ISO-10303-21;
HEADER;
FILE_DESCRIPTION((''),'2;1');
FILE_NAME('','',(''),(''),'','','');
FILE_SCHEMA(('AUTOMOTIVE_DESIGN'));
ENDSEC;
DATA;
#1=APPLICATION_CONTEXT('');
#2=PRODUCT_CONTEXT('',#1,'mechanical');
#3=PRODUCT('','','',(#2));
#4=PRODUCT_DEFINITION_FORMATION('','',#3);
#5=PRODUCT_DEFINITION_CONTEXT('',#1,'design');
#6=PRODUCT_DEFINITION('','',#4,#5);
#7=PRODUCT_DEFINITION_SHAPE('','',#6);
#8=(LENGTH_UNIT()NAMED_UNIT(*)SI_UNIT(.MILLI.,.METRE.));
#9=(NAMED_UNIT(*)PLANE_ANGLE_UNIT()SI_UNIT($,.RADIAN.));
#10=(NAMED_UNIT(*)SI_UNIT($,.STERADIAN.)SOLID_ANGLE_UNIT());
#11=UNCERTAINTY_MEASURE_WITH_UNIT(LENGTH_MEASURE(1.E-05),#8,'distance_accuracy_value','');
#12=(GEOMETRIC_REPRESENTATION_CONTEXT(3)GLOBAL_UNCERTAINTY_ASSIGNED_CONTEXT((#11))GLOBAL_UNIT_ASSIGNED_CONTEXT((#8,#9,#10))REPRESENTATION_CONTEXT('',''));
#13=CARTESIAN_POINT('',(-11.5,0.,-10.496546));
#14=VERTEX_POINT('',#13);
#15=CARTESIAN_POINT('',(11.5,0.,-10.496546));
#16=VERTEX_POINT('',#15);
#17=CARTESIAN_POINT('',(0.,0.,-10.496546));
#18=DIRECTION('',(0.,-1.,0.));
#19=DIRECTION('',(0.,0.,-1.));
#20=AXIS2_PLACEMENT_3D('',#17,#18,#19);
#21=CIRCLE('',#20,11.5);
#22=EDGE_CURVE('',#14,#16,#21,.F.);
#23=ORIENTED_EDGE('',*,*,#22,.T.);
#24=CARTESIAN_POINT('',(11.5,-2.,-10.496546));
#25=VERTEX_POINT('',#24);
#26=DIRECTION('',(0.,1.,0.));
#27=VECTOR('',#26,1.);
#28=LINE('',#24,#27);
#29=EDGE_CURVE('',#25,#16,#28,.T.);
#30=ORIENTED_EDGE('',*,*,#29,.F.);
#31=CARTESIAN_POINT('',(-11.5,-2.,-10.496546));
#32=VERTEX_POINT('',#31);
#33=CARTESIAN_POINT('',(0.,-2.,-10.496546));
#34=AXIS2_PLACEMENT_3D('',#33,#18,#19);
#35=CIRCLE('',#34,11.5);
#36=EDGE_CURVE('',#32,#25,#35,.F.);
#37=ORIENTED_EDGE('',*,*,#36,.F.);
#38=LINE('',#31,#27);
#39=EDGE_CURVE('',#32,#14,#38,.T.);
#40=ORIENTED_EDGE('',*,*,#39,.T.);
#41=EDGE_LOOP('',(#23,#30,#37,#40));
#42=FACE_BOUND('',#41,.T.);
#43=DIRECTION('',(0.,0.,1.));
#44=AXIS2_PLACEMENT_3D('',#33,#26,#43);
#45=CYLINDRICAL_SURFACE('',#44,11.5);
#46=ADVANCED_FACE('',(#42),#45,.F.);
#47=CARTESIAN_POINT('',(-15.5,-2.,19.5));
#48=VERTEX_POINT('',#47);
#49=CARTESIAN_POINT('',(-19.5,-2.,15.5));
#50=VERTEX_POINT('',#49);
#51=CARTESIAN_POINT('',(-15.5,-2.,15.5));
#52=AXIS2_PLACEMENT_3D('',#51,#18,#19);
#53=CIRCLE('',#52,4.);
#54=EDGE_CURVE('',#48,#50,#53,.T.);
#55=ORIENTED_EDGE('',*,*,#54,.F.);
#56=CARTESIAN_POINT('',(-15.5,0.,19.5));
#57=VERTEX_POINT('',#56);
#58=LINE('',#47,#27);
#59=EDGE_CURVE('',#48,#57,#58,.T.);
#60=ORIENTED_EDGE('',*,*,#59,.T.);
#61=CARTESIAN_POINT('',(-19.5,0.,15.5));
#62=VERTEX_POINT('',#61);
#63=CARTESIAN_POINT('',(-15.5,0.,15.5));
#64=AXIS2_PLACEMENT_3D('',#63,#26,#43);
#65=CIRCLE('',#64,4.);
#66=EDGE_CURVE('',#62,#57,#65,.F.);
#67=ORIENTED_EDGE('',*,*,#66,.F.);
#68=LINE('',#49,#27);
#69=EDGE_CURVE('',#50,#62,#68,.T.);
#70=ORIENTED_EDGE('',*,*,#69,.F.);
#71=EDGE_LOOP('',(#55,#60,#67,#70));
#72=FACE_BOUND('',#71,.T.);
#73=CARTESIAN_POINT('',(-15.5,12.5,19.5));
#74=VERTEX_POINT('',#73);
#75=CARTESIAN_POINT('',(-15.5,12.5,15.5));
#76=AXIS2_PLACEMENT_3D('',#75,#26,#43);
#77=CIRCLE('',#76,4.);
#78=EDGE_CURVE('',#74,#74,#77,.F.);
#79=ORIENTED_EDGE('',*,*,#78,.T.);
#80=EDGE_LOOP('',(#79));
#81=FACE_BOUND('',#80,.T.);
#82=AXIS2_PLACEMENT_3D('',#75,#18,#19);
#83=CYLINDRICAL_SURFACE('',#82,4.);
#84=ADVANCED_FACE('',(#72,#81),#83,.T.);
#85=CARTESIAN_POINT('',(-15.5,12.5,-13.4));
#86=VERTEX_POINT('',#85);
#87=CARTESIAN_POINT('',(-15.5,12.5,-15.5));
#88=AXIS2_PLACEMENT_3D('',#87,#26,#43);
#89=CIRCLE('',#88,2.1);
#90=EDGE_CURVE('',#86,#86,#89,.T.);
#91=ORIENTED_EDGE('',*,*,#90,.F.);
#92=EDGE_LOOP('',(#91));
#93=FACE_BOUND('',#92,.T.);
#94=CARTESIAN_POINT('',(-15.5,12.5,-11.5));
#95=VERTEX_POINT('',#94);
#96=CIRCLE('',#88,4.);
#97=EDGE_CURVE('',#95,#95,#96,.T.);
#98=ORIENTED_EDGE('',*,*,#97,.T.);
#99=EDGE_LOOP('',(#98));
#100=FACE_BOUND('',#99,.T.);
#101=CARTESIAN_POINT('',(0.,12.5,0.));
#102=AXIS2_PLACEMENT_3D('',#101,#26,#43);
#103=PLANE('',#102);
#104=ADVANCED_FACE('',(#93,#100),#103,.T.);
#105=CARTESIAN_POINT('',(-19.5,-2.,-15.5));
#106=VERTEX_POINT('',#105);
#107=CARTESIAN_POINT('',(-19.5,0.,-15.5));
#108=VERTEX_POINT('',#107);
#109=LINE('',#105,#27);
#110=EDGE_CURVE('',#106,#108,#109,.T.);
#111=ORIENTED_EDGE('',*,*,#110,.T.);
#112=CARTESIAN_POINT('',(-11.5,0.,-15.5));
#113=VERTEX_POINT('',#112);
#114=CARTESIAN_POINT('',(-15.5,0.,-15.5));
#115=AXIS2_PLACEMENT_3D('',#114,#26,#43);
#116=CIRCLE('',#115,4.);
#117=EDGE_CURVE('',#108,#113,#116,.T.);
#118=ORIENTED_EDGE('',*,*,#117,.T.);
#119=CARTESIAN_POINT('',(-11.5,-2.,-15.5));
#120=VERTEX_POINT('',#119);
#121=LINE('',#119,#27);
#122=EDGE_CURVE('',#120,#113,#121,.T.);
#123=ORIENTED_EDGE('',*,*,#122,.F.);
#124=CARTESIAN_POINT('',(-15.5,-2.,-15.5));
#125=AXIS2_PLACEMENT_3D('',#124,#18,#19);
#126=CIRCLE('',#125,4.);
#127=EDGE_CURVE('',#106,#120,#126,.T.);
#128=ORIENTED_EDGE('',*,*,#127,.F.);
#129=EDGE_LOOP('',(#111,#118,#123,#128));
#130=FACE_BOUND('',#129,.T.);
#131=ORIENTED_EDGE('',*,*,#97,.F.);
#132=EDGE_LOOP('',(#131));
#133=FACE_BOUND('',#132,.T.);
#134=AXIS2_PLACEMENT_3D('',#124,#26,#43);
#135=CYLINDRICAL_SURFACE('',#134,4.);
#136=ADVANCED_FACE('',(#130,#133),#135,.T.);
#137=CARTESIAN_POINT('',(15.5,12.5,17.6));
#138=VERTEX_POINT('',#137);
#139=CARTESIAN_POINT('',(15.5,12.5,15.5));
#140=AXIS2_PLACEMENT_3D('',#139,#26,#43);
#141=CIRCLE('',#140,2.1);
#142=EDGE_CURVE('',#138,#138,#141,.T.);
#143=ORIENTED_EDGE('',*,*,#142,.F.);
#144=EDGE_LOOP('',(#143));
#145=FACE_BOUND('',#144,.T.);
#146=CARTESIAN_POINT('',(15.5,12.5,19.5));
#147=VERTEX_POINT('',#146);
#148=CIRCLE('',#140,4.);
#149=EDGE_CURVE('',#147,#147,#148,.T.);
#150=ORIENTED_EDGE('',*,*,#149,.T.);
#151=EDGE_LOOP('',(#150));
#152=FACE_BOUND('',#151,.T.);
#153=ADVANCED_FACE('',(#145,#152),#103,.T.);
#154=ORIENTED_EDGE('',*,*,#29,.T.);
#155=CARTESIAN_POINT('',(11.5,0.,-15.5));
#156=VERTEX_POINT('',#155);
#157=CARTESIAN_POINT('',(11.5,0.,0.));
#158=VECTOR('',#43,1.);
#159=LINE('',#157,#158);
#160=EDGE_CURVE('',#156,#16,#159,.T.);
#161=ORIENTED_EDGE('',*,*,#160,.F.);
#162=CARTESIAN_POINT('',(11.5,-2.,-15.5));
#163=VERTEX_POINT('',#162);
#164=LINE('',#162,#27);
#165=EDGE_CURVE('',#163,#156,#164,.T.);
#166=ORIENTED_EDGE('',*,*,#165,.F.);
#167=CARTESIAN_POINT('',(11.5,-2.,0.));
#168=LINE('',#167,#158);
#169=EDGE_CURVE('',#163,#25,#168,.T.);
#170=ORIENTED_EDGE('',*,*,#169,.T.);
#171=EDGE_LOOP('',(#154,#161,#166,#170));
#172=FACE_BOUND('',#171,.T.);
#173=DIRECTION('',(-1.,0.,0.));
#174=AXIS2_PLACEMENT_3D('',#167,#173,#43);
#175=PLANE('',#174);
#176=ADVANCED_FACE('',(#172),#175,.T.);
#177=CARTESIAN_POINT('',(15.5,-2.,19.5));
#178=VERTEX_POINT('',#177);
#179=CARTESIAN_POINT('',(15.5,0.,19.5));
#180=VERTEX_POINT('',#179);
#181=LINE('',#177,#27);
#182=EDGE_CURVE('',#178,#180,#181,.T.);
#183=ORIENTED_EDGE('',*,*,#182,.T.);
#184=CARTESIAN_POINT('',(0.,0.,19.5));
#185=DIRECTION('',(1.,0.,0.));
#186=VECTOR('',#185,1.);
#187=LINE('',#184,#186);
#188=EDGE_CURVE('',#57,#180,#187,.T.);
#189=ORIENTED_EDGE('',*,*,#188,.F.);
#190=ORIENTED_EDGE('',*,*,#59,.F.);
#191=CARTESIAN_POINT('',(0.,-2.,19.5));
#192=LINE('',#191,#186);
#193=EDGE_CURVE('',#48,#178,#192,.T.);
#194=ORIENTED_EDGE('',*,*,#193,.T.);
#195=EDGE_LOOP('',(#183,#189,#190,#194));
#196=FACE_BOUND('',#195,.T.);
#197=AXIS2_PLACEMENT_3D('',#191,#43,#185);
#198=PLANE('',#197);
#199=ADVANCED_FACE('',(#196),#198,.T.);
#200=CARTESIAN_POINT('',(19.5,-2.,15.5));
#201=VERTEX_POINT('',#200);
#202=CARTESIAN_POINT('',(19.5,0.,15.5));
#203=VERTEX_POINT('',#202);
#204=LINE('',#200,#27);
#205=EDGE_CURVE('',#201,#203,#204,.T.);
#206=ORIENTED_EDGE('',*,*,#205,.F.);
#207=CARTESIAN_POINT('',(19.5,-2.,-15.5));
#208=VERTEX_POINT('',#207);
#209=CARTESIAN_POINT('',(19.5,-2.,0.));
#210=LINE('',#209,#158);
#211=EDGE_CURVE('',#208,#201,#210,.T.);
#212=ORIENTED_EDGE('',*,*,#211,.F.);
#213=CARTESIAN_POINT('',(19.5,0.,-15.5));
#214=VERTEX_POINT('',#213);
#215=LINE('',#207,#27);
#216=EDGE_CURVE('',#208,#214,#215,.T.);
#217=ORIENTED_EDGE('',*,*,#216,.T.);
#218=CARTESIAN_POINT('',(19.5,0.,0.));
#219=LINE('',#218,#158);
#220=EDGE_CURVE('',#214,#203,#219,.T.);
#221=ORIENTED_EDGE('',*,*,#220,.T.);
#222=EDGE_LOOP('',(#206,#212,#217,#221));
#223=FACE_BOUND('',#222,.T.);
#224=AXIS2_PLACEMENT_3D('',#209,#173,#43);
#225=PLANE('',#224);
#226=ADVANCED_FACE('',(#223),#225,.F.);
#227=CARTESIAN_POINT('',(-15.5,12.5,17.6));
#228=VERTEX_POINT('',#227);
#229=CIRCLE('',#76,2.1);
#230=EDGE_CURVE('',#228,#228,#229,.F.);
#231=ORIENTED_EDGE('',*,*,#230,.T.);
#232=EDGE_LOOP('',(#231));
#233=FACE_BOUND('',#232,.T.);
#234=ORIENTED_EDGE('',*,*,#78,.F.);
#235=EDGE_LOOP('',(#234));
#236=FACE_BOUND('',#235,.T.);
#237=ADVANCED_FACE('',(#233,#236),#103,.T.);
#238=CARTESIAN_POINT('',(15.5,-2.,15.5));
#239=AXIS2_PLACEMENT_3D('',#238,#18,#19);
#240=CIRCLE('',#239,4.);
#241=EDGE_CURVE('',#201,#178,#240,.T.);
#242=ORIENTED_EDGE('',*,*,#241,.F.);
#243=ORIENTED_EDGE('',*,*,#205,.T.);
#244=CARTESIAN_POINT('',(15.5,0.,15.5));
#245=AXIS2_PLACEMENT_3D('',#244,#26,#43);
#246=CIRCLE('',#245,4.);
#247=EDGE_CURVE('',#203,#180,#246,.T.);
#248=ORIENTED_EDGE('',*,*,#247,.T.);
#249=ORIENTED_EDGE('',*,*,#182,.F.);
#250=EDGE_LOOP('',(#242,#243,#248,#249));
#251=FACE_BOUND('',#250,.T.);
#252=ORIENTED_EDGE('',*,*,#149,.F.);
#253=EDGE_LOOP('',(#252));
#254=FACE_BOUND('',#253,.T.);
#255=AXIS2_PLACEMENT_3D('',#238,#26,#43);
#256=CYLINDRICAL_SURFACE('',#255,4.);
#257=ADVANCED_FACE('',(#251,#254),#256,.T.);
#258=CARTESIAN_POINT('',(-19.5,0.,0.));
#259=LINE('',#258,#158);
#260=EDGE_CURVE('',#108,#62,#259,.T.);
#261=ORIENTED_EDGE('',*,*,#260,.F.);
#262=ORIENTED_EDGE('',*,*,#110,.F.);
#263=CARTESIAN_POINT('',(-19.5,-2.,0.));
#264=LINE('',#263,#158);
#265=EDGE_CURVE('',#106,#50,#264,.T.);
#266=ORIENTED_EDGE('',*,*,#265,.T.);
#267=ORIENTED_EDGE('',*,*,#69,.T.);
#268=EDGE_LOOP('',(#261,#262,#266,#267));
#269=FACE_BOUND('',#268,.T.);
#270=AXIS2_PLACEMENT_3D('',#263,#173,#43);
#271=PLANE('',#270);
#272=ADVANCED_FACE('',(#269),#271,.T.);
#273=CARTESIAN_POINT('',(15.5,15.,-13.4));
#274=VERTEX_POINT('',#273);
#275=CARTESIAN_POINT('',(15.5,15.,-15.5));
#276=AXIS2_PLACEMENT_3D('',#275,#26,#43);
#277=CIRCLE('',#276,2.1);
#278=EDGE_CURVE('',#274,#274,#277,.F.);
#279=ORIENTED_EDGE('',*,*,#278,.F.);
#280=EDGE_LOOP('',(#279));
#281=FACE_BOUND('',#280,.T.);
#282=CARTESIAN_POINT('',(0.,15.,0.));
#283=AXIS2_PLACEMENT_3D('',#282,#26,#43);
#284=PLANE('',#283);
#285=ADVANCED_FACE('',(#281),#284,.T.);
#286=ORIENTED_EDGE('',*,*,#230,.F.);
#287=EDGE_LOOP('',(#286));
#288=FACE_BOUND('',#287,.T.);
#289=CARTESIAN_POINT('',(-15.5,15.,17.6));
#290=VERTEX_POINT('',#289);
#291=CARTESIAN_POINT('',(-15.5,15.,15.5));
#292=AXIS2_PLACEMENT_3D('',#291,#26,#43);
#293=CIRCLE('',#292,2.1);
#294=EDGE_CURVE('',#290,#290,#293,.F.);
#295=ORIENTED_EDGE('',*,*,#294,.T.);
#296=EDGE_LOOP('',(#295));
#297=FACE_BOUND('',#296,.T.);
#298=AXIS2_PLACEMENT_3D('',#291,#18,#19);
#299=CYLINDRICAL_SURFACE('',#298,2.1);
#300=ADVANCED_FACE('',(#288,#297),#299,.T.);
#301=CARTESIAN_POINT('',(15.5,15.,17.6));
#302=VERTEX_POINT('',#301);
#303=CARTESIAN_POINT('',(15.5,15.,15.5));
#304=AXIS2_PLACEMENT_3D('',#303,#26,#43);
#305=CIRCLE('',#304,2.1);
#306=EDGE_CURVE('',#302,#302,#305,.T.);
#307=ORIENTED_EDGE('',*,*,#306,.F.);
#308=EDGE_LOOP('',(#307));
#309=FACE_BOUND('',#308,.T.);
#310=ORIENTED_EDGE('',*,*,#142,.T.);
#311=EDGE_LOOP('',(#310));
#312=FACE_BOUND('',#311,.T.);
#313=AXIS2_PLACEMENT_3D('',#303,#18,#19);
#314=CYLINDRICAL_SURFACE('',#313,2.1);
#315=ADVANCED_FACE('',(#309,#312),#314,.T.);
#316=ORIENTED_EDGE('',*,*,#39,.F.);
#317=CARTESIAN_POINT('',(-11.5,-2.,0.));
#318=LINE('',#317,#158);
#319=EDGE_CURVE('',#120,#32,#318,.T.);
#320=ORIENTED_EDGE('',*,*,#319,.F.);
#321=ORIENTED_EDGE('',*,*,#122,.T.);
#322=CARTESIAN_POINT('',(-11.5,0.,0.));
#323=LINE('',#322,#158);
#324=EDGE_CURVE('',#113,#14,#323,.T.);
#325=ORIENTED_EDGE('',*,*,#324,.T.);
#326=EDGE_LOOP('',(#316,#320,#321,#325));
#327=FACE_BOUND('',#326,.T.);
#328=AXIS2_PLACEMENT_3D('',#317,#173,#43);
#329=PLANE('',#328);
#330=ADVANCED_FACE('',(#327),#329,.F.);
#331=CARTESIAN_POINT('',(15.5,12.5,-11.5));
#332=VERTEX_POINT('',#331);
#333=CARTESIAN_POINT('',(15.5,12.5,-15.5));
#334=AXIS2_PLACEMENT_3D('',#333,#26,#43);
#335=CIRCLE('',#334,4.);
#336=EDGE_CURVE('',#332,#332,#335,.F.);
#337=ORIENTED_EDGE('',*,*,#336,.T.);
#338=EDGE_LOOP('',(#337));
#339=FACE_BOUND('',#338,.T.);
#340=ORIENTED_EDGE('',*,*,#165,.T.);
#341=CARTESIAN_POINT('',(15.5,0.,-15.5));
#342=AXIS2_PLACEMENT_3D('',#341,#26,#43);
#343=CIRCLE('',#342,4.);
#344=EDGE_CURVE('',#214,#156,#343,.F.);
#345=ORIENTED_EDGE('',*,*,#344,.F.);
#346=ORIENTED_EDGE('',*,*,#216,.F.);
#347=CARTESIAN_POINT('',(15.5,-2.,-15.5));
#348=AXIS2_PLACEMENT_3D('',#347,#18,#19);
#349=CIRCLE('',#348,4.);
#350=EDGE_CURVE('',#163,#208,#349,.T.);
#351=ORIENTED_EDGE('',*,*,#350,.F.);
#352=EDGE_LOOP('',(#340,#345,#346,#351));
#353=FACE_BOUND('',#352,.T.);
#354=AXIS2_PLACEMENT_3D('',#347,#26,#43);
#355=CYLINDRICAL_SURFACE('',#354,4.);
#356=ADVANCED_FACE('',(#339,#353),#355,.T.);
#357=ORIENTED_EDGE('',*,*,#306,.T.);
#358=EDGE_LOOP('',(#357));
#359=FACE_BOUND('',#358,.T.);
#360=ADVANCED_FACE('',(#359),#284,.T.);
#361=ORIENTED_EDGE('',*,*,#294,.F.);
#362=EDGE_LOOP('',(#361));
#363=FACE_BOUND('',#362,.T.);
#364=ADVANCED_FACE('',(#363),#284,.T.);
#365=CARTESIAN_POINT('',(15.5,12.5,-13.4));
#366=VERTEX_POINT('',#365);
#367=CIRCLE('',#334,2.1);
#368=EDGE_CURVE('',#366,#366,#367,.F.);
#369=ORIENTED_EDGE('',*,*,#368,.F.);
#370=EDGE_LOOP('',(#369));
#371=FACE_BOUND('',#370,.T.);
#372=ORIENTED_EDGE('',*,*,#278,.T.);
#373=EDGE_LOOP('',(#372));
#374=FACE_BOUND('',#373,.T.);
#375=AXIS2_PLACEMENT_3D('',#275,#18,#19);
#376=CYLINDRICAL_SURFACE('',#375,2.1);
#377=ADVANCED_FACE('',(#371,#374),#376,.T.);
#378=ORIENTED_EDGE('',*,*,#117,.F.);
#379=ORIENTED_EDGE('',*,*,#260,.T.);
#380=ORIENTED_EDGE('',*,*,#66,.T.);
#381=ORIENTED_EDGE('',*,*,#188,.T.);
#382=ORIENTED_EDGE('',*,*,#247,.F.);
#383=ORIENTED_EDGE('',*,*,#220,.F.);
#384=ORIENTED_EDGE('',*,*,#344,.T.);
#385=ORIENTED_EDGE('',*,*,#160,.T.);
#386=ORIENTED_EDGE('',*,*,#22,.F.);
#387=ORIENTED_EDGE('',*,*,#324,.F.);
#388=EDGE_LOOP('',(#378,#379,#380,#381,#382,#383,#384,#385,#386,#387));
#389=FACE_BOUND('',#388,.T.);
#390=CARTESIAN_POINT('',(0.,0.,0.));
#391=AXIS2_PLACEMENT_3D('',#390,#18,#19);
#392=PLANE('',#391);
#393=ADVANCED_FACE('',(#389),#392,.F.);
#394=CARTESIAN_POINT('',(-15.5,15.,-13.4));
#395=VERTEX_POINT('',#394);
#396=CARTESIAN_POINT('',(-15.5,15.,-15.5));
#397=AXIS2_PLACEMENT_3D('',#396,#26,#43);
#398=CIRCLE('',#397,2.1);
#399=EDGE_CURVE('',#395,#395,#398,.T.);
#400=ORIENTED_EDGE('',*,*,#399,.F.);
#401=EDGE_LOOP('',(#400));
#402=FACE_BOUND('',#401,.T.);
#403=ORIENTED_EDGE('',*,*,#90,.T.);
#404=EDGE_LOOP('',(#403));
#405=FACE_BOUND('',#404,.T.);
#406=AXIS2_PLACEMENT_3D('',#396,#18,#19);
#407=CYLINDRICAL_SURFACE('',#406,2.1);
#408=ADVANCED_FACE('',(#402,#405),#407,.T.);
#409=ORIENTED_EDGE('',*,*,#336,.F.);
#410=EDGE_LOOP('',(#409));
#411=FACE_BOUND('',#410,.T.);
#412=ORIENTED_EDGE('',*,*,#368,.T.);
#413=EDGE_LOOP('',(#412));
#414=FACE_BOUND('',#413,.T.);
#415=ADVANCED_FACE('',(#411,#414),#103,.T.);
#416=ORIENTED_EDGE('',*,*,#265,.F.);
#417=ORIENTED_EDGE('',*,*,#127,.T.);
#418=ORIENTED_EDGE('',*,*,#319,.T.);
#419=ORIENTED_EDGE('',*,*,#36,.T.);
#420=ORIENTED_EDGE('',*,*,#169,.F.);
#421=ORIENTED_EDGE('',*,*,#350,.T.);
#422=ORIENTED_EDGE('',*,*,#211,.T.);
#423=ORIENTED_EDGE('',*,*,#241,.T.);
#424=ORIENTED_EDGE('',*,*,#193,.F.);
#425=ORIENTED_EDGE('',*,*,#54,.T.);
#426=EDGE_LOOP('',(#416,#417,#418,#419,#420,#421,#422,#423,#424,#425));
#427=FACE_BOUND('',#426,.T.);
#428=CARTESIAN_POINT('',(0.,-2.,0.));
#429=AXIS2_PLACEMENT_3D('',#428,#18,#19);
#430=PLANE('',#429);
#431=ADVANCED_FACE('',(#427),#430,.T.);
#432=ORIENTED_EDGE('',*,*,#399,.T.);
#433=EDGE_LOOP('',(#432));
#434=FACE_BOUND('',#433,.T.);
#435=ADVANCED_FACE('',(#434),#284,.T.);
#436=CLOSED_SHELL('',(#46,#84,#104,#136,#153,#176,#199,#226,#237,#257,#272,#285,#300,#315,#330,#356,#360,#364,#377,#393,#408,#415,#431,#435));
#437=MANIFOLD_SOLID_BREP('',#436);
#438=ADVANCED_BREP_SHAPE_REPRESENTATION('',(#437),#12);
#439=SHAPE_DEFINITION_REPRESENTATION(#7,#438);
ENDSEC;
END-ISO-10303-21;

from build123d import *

# Parameters (mm, degrees)
SKETCH1_R             = 4
BOSS_EXTRUDE1_DEPTH   = 12.5
BOSS_EXTRUDE1_2_DEPTH = 12.5
BOSS_EXTRUDE1_3_DEPTH = 12.5
BOSS_EXTRUDE1_4_DEPTH = 12.5
SKETCH2_R             = 2.1
BOSS_EXTRUDE2_DEPTH   = 2.5
BOSS_EXTRUDE3_DEPTH   = 2


with BuildPart() as part:
    # Sketch1 → Boss-Extrude1 (new body)
    with BuildSketch(Plane(origin=(0, 0, 0), x_dir=(1, 0, 0), z_dir=(0, 1, 0))):
        with Locations((-15.5, -15.5)):
            Circle(SKETCH1_R)
    extrude(amount=BOSS_EXTRUDE1_DEPTH)



with BuildPart() as body_2:
    # Sketch1 → Boss-Extrude1 2 (new body)
    with BuildSketch(Plane(origin=(0, 0, 0), x_dir=(1, 0, 0), z_dir=(0, 1, 0))):
        with Locations((-15.5, 15.5)):
            Circle(SKETCH1_R)
    extrude(amount=BOSS_EXTRUDE1_2_DEPTH)


with BuildPart() as body_3:
    # Sketch1 → Boss-Extrude1 3 (new body)
    with BuildSketch(Plane(origin=(0, 0, 0), x_dir=(1, 0, 0), z_dir=(0, 1, 0))):
        with Locations((15.5, -15.5)):
            Circle(SKETCH1_R)
    extrude(amount=BOSS_EXTRUDE1_3_DEPTH)


with BuildPart() as body_4:
    # Sketch1 → Boss-Extrude1 4 (new body)
    with BuildSketch(Plane(origin=(0, 0, 0), x_dir=(1, 0, 0), z_dir=(0, 1, 0))):
        with Locations((15.5, 15.5)):
            Circle(SKETCH1_R)
    extrude(amount=BOSS_EXTRUDE1_4_DEPTH)


with BuildPart() as part_1:
    add(part.part)

    add(body_2.part)  # Boss-Extrude2 merges body 2

    add(body_3.part)  # Boss-Extrude2 merges body 3

    add(body_4.part)  # Boss-Extrude2 merges body 4
    # Sketch2 → Boss-Extrude2 (add)
    with BuildSketch(Plane(origin=(0, 12.5, 0), x_dir=(1, 0, 0), z_dir=(0, 1, 0))):
        with Locations((-15.5, 15.5)):
            Circle(SKETCH2_R)
        with Locations((15.5, 15.5)):
            Circle(SKETCH2_R)
        with Locations((15.5, -15.5)):
            Circle(SKETCH2_R)
        with Locations((-15.5, -15.5)):
            Circle(SKETCH2_R)
    extrude(amount=BOSS_EXTRUDE2_DEPTH)

    # Sketch3 → Boss-Extrude3 (add)
    with BuildSketch(Plane.XZ):
        with BuildLine():
            Line((-19.5, 15.5), (-19.5, -15.5))
            ThreePointArc((-19.5, -15.5), (-18.328427125, -18.328427125), (-15.5, -19.5))
            ThreePointArc((-15.5, -19.5), (-12.671572875, -18.328427125), (-11.5, -15.5))
            Line((-11.5, -15.5), (-11.5, -10.496545835))
            ThreePointArc((-11.5, -10.496545835), (0, 1.003454165), (11.5, -10.496545835))
            Line((11.5, -10.496545835), (11.5, -15.5))
            ThreePointArc((11.5, -15.5), (12.671572875, -18.328427125), (15.5, -19.5))
            ThreePointArc((15.5, -19.5), (18.328427125, -18.328427125), (19.5, -15.5))
            Line((19.5, -15.5), (19.5, 15.5))
            ThreePointArc((19.5, 15.5), (18.328427125, 18.328427125), (15.5, 19.5))
            Line((15.5, 19.5), (-15.5, 19.5))
            ThreePointArc((-15.5, 19.5), (-18.328427125, 18.328427125), (-19.5, 15.5))
        make_face()
    extrude(amount=BOSS_EXTRUDE3_DEPTH)


solid = part_1.part
